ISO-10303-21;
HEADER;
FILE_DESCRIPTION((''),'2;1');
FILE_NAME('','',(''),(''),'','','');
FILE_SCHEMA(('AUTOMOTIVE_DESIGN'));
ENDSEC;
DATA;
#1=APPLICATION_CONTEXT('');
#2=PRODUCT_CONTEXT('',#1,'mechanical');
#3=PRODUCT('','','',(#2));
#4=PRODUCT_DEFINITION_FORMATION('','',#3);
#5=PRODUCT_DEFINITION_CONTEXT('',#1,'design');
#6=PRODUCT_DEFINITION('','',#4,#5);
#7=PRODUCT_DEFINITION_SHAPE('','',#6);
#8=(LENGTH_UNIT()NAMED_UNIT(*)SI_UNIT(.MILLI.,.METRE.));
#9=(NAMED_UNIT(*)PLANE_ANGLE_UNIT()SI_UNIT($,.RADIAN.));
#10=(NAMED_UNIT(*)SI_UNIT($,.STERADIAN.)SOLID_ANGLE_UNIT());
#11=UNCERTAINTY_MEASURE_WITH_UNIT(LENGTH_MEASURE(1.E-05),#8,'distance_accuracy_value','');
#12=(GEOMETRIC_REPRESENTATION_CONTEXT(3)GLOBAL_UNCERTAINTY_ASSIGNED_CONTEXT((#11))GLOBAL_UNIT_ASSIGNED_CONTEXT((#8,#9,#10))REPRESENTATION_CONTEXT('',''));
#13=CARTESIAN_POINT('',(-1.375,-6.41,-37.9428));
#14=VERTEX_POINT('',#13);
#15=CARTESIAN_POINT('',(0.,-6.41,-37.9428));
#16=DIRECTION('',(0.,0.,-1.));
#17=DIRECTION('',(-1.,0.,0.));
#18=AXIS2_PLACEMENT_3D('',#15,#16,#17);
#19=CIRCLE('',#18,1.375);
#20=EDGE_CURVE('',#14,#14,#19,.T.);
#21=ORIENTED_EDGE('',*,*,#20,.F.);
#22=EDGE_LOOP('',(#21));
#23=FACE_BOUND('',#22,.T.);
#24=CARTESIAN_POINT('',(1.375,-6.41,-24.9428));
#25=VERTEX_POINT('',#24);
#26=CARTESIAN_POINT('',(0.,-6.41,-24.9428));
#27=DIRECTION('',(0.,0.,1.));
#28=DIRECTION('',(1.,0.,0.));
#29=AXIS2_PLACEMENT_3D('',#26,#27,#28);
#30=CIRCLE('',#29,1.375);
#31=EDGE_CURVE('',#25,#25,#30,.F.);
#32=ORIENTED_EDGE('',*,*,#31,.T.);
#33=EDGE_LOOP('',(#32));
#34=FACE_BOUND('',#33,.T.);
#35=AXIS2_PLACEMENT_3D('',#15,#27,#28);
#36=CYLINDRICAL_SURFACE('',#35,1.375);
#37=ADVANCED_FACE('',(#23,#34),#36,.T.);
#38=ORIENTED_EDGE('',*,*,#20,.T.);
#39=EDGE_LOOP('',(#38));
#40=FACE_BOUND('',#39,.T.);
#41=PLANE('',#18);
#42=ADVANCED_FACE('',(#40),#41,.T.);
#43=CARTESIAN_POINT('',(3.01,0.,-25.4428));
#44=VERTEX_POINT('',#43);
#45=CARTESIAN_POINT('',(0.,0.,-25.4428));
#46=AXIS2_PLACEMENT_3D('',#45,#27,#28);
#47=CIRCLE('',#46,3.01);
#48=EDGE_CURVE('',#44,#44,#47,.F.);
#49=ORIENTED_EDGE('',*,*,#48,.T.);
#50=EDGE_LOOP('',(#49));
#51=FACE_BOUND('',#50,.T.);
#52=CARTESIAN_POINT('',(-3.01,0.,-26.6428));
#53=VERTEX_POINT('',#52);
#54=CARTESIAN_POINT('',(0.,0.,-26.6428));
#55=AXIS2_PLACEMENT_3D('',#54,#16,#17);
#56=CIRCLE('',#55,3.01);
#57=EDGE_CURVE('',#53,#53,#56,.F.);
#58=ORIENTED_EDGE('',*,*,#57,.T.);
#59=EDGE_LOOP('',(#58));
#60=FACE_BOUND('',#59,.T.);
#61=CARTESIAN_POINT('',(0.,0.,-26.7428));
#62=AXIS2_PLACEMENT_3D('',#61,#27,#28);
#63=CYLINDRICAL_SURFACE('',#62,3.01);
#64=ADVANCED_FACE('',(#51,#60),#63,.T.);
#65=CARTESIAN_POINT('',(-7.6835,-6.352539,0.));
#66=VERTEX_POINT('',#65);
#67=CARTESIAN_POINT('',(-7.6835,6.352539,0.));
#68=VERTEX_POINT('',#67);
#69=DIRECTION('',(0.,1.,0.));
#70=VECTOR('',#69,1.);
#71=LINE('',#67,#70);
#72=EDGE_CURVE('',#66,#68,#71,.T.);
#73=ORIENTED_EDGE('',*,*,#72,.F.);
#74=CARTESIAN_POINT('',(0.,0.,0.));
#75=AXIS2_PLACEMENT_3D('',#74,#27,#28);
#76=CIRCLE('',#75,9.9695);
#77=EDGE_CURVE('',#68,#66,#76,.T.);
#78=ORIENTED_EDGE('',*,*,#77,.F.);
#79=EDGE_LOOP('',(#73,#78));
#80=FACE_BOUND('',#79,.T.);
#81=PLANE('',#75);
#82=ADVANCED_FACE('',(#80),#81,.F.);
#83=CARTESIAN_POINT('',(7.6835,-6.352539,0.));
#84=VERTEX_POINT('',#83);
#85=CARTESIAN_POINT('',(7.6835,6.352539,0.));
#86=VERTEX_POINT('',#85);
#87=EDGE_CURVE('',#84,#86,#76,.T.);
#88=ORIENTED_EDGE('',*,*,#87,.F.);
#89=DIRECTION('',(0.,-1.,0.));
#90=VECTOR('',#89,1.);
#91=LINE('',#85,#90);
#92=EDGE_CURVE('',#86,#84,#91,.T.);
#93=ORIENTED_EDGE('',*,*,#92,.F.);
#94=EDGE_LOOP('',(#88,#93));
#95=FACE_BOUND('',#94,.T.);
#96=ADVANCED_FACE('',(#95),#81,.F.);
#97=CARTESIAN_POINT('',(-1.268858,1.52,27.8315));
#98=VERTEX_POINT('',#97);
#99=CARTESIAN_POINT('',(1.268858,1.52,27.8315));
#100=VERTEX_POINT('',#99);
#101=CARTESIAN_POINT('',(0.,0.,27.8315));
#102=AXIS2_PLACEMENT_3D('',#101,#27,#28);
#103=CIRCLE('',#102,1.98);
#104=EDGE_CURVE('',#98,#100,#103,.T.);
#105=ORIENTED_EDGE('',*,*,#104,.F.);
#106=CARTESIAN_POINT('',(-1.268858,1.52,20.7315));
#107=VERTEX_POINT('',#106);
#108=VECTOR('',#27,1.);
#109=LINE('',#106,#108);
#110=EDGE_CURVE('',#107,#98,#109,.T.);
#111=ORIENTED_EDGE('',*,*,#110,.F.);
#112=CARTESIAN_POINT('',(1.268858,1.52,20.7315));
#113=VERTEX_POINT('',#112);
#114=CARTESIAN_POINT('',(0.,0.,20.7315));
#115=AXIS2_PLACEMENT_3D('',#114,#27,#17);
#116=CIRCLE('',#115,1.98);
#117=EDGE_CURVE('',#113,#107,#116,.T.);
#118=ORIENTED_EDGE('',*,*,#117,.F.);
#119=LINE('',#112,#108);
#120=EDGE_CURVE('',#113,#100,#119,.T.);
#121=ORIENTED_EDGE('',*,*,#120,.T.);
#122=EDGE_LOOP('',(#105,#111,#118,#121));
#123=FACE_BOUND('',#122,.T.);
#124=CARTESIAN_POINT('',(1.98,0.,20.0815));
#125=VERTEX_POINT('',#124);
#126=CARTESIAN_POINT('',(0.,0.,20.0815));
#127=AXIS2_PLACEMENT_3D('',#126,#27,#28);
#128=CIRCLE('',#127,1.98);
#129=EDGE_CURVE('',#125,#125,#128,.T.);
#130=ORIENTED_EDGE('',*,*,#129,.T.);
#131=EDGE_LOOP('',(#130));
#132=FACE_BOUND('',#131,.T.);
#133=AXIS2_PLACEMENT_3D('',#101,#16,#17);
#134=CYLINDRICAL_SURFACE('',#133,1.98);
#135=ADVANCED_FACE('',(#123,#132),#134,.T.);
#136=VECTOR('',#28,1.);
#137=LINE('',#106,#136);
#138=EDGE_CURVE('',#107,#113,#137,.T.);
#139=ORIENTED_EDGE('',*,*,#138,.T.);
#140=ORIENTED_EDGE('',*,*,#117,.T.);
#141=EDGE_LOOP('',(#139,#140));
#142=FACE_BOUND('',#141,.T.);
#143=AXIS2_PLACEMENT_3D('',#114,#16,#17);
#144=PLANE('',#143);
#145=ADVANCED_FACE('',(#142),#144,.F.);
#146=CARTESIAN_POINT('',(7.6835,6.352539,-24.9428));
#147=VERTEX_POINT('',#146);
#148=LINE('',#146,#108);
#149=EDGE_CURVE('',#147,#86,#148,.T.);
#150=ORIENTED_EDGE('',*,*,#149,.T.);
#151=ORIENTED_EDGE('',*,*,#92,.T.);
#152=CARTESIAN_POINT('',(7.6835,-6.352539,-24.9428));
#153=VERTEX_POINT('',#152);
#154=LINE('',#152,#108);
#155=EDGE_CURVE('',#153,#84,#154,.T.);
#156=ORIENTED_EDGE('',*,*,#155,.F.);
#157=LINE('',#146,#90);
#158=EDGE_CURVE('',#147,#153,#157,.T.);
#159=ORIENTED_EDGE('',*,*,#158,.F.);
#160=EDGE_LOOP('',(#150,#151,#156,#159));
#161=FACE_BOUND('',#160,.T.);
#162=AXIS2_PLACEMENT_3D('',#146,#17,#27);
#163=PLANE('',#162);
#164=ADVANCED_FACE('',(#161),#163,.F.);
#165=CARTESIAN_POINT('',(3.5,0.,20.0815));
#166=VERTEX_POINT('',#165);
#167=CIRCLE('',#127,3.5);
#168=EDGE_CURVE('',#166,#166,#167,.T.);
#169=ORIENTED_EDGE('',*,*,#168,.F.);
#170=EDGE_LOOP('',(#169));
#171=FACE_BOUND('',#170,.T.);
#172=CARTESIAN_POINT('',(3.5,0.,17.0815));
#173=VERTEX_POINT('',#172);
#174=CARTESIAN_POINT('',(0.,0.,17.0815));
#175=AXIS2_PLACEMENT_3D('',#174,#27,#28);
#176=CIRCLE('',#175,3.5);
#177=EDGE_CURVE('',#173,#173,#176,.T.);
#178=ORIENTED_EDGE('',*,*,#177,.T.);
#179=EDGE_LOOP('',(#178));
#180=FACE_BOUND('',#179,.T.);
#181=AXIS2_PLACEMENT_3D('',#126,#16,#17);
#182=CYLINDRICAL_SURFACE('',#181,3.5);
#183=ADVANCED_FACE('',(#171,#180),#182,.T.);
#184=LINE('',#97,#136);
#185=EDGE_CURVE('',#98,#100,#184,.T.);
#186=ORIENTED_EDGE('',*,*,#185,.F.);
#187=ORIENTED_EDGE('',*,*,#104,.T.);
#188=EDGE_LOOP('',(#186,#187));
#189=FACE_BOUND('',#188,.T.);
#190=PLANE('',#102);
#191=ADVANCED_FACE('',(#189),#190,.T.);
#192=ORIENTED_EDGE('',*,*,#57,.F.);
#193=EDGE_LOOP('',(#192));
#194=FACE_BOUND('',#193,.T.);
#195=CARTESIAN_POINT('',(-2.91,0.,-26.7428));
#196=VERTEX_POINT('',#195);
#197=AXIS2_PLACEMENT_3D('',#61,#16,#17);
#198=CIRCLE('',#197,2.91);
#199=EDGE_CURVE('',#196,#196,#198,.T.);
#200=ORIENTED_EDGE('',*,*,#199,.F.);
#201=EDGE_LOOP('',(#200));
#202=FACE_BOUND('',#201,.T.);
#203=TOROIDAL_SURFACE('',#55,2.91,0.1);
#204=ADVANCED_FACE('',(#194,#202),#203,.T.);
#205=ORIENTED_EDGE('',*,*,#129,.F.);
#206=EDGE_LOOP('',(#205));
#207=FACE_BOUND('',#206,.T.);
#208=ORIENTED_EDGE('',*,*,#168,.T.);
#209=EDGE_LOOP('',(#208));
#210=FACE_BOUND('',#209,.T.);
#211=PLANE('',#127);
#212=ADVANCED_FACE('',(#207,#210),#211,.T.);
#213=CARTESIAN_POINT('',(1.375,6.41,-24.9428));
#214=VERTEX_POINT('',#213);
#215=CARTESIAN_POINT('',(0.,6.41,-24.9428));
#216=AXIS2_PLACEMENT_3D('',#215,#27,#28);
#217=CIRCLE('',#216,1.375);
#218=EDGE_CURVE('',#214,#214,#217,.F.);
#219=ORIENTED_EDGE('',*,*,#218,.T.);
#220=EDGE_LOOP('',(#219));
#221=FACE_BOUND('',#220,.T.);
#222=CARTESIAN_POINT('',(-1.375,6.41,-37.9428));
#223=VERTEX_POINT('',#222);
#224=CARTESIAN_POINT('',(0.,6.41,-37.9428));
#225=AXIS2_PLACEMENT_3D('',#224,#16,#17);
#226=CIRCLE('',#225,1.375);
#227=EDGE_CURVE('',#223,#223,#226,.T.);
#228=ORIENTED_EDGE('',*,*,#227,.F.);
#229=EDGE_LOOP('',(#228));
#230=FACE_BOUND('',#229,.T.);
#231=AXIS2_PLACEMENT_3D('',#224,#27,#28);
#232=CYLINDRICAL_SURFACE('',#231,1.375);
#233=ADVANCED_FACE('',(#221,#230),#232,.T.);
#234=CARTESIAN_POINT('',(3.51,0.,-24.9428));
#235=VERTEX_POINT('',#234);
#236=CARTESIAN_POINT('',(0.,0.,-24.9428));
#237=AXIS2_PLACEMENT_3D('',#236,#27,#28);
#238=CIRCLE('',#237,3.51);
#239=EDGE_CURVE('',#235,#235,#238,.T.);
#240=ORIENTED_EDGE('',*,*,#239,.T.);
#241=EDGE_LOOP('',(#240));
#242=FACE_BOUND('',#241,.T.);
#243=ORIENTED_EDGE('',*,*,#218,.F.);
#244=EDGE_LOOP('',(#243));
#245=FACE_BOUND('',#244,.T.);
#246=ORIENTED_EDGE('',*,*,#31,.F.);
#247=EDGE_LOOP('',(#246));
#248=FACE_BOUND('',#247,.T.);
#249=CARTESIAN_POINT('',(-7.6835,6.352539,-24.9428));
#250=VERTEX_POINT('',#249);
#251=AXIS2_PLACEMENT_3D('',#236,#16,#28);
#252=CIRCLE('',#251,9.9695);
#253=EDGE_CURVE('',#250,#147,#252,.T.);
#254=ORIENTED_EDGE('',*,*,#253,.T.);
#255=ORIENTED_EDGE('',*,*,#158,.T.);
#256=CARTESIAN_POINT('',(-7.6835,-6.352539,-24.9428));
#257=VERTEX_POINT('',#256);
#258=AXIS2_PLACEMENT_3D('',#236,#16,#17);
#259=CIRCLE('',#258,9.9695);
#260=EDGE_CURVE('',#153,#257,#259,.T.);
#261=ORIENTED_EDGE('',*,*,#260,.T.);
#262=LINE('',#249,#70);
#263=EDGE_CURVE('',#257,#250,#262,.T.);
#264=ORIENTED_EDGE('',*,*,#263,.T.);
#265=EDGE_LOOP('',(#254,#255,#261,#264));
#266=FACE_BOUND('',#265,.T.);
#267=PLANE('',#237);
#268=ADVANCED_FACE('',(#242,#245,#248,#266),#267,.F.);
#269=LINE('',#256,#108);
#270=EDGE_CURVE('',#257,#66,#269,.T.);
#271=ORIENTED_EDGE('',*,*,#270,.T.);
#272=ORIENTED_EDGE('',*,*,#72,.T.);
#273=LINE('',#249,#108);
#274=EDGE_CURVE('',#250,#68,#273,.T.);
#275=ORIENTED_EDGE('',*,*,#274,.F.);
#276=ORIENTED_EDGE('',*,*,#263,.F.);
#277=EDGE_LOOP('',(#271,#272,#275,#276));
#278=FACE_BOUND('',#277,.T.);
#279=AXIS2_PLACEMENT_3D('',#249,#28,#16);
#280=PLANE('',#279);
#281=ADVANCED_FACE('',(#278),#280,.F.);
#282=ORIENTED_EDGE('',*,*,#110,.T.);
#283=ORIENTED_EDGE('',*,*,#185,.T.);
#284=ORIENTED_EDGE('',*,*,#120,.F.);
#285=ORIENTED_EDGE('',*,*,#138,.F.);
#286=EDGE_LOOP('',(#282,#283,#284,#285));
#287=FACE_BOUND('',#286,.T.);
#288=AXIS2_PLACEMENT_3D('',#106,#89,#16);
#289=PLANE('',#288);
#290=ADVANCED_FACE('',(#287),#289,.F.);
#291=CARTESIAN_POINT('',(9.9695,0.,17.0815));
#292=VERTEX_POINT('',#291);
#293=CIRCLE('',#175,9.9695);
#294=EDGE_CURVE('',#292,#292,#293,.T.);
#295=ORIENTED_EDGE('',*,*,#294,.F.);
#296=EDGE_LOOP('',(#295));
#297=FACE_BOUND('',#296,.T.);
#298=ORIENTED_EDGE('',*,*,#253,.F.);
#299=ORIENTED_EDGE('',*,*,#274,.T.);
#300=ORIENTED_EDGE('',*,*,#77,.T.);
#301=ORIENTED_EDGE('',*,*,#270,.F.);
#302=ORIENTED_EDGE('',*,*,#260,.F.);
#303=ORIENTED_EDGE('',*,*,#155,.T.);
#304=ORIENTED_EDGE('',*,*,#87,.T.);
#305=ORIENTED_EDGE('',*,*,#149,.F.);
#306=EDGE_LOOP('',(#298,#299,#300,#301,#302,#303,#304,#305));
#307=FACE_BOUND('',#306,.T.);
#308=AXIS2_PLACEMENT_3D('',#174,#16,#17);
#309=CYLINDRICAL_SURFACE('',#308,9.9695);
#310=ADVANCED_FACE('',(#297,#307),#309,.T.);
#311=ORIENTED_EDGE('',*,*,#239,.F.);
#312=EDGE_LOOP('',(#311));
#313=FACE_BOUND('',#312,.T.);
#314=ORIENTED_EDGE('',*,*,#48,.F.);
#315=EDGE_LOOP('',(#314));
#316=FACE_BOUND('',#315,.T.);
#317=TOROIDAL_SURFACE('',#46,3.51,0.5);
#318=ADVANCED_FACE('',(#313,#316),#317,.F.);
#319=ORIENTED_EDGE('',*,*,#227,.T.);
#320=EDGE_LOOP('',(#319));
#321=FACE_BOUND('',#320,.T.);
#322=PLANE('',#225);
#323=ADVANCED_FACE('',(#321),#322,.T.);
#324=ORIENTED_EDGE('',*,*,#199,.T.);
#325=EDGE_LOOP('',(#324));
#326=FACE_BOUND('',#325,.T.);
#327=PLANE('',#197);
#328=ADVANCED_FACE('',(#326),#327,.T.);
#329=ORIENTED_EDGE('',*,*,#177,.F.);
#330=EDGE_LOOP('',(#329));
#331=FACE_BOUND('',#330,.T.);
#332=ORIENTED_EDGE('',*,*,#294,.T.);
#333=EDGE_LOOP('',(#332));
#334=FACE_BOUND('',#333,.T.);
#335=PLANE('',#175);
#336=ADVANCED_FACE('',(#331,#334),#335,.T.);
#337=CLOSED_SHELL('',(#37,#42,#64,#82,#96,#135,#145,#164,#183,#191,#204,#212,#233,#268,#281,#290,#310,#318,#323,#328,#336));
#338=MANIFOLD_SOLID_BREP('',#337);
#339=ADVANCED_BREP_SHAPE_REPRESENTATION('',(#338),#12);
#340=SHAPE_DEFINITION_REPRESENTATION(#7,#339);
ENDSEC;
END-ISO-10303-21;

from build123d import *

# Parameters (mm, degrees)
SKETCH1_R           = 9.9695
BOSS_EXTRUDE1_DEPTH = 17.0815
BOSS_EXTRUDE2_DEPTH = 24.9428
SKETCH3_R           = 3.5
BOSS_EXTRUDE3_DEPTH = 3
SKETCH4_R           = 1.98
BOSS_EXTRUDE4_DEPTH = 7.75
CUT_EXTRUDE1_DEPTH  = 7.1
SKETCH6_R           = 3.01
BOSS_EXTRUDE5_DEPTH = 1.8
FILLET1_R           = 0.5
FILLET2_R           = 0.1
SKETCH7_R           = 1.375
BOSS_EXTRUDE6_DEPTH = 13


with BuildPart() as part:
    # Sketch1 → Boss-Extrude1 (new body)
    with BuildSketch(Plane.XY):
        Circle(SKETCH1_R)
    extrude(amount=BOSS_EXTRUDE1_DEPTH)

    # Sketch2 → Boss-Extrude2 (add)
    with BuildSketch(Plane(origin=(0, 0, 0), x_dir=(-1, 0, 0), z_dir=(0, 0, -1))):
        with BuildLine():
            Line((-7.6835, 6.352539492), (-7.6835, -6.352539492))
            ThreePointArc((-7.6835, -6.352539492), (0, -9.9695), (7.6835, -6.352539492))
            Line((7.6835, -6.352539492), (7.6835, 6.352539492))
            ThreePointArc((7.6835, 6.352539492), (0, 9.9695), (-7.6835, 6.352539492))
        make_face()
    extrude(amount=BOSS_EXTRUDE2_DEPTH)

    # Sketch3 → Boss-Extrude3 (add)
    with BuildSketch(Plane.XY.offset(17.0815)):
        Circle(SKETCH3_R)
    extrude(amount=BOSS_EXTRUDE3_DEPTH)

    # Sketch4 → Boss-Extrude4 (add)
    with BuildSketch(Plane.XY.offset(20.0815)):
        Circle(SKETCH4_R)
    extrude(amount=BOSS_EXTRUDE4_DEPTH)

    # Sketch5 → Cut-Extrude1 (cut)
    with BuildSketch(Plane.XY.offset(27.8315)):
        with BuildLine():
            Line((-1.268857754, 1.52), (1.268857754, 1.52))
            ThreePointArc((1.268857754, 1.52), (0, 1.98), (-1.268857754, 1.52))
        make_face()
    extrude(amount=-CUT_EXTRUDE1_DEPTH, mode=Mode.SUBTRACT)

    # Sketch6 → Boss-Extrude5 (add)
    with BuildSketch(Plane(origin=(0, 0, -24.9428), x_dir=(-1, 0, 0), z_dir=(0, 0, -1))):
        Circle(SKETCH6_R)
    extrude(amount=BOSS_EXTRUDE5_DEPTH)

    # Fillet1
    fillet1_edges = [part.edges().sort_by_distance(p)[0] for p in [
        (3.01, 0, -24.9428),
    ]]
    fillet(fillet1_edges, radius=FILLET1_R)

    # Fillet2
    fillet2_edges = [part.edges().sort_by_distance(p)[0] for p in [
        (3.01, 0, -26.7428),
    ]]
    fillet(fillet2_edges, radius=FILLET2_R)

    # Sketch7 → Boss-Extrude6 (add)
    with BuildSketch(Plane(origin=(0, 0, -24.9428), x_dir=(-1, 0, 0), z_dir=(0, 0, -1))):
        with Locations((0, 6.41)):
            Circle(SKETCH7_R)
        with Locations((0, -6.41)):
            Circle(SKETCH7_R)
    extrude(amount=BOSS_EXTRUDE6_DEPTH)


solid = part.part
